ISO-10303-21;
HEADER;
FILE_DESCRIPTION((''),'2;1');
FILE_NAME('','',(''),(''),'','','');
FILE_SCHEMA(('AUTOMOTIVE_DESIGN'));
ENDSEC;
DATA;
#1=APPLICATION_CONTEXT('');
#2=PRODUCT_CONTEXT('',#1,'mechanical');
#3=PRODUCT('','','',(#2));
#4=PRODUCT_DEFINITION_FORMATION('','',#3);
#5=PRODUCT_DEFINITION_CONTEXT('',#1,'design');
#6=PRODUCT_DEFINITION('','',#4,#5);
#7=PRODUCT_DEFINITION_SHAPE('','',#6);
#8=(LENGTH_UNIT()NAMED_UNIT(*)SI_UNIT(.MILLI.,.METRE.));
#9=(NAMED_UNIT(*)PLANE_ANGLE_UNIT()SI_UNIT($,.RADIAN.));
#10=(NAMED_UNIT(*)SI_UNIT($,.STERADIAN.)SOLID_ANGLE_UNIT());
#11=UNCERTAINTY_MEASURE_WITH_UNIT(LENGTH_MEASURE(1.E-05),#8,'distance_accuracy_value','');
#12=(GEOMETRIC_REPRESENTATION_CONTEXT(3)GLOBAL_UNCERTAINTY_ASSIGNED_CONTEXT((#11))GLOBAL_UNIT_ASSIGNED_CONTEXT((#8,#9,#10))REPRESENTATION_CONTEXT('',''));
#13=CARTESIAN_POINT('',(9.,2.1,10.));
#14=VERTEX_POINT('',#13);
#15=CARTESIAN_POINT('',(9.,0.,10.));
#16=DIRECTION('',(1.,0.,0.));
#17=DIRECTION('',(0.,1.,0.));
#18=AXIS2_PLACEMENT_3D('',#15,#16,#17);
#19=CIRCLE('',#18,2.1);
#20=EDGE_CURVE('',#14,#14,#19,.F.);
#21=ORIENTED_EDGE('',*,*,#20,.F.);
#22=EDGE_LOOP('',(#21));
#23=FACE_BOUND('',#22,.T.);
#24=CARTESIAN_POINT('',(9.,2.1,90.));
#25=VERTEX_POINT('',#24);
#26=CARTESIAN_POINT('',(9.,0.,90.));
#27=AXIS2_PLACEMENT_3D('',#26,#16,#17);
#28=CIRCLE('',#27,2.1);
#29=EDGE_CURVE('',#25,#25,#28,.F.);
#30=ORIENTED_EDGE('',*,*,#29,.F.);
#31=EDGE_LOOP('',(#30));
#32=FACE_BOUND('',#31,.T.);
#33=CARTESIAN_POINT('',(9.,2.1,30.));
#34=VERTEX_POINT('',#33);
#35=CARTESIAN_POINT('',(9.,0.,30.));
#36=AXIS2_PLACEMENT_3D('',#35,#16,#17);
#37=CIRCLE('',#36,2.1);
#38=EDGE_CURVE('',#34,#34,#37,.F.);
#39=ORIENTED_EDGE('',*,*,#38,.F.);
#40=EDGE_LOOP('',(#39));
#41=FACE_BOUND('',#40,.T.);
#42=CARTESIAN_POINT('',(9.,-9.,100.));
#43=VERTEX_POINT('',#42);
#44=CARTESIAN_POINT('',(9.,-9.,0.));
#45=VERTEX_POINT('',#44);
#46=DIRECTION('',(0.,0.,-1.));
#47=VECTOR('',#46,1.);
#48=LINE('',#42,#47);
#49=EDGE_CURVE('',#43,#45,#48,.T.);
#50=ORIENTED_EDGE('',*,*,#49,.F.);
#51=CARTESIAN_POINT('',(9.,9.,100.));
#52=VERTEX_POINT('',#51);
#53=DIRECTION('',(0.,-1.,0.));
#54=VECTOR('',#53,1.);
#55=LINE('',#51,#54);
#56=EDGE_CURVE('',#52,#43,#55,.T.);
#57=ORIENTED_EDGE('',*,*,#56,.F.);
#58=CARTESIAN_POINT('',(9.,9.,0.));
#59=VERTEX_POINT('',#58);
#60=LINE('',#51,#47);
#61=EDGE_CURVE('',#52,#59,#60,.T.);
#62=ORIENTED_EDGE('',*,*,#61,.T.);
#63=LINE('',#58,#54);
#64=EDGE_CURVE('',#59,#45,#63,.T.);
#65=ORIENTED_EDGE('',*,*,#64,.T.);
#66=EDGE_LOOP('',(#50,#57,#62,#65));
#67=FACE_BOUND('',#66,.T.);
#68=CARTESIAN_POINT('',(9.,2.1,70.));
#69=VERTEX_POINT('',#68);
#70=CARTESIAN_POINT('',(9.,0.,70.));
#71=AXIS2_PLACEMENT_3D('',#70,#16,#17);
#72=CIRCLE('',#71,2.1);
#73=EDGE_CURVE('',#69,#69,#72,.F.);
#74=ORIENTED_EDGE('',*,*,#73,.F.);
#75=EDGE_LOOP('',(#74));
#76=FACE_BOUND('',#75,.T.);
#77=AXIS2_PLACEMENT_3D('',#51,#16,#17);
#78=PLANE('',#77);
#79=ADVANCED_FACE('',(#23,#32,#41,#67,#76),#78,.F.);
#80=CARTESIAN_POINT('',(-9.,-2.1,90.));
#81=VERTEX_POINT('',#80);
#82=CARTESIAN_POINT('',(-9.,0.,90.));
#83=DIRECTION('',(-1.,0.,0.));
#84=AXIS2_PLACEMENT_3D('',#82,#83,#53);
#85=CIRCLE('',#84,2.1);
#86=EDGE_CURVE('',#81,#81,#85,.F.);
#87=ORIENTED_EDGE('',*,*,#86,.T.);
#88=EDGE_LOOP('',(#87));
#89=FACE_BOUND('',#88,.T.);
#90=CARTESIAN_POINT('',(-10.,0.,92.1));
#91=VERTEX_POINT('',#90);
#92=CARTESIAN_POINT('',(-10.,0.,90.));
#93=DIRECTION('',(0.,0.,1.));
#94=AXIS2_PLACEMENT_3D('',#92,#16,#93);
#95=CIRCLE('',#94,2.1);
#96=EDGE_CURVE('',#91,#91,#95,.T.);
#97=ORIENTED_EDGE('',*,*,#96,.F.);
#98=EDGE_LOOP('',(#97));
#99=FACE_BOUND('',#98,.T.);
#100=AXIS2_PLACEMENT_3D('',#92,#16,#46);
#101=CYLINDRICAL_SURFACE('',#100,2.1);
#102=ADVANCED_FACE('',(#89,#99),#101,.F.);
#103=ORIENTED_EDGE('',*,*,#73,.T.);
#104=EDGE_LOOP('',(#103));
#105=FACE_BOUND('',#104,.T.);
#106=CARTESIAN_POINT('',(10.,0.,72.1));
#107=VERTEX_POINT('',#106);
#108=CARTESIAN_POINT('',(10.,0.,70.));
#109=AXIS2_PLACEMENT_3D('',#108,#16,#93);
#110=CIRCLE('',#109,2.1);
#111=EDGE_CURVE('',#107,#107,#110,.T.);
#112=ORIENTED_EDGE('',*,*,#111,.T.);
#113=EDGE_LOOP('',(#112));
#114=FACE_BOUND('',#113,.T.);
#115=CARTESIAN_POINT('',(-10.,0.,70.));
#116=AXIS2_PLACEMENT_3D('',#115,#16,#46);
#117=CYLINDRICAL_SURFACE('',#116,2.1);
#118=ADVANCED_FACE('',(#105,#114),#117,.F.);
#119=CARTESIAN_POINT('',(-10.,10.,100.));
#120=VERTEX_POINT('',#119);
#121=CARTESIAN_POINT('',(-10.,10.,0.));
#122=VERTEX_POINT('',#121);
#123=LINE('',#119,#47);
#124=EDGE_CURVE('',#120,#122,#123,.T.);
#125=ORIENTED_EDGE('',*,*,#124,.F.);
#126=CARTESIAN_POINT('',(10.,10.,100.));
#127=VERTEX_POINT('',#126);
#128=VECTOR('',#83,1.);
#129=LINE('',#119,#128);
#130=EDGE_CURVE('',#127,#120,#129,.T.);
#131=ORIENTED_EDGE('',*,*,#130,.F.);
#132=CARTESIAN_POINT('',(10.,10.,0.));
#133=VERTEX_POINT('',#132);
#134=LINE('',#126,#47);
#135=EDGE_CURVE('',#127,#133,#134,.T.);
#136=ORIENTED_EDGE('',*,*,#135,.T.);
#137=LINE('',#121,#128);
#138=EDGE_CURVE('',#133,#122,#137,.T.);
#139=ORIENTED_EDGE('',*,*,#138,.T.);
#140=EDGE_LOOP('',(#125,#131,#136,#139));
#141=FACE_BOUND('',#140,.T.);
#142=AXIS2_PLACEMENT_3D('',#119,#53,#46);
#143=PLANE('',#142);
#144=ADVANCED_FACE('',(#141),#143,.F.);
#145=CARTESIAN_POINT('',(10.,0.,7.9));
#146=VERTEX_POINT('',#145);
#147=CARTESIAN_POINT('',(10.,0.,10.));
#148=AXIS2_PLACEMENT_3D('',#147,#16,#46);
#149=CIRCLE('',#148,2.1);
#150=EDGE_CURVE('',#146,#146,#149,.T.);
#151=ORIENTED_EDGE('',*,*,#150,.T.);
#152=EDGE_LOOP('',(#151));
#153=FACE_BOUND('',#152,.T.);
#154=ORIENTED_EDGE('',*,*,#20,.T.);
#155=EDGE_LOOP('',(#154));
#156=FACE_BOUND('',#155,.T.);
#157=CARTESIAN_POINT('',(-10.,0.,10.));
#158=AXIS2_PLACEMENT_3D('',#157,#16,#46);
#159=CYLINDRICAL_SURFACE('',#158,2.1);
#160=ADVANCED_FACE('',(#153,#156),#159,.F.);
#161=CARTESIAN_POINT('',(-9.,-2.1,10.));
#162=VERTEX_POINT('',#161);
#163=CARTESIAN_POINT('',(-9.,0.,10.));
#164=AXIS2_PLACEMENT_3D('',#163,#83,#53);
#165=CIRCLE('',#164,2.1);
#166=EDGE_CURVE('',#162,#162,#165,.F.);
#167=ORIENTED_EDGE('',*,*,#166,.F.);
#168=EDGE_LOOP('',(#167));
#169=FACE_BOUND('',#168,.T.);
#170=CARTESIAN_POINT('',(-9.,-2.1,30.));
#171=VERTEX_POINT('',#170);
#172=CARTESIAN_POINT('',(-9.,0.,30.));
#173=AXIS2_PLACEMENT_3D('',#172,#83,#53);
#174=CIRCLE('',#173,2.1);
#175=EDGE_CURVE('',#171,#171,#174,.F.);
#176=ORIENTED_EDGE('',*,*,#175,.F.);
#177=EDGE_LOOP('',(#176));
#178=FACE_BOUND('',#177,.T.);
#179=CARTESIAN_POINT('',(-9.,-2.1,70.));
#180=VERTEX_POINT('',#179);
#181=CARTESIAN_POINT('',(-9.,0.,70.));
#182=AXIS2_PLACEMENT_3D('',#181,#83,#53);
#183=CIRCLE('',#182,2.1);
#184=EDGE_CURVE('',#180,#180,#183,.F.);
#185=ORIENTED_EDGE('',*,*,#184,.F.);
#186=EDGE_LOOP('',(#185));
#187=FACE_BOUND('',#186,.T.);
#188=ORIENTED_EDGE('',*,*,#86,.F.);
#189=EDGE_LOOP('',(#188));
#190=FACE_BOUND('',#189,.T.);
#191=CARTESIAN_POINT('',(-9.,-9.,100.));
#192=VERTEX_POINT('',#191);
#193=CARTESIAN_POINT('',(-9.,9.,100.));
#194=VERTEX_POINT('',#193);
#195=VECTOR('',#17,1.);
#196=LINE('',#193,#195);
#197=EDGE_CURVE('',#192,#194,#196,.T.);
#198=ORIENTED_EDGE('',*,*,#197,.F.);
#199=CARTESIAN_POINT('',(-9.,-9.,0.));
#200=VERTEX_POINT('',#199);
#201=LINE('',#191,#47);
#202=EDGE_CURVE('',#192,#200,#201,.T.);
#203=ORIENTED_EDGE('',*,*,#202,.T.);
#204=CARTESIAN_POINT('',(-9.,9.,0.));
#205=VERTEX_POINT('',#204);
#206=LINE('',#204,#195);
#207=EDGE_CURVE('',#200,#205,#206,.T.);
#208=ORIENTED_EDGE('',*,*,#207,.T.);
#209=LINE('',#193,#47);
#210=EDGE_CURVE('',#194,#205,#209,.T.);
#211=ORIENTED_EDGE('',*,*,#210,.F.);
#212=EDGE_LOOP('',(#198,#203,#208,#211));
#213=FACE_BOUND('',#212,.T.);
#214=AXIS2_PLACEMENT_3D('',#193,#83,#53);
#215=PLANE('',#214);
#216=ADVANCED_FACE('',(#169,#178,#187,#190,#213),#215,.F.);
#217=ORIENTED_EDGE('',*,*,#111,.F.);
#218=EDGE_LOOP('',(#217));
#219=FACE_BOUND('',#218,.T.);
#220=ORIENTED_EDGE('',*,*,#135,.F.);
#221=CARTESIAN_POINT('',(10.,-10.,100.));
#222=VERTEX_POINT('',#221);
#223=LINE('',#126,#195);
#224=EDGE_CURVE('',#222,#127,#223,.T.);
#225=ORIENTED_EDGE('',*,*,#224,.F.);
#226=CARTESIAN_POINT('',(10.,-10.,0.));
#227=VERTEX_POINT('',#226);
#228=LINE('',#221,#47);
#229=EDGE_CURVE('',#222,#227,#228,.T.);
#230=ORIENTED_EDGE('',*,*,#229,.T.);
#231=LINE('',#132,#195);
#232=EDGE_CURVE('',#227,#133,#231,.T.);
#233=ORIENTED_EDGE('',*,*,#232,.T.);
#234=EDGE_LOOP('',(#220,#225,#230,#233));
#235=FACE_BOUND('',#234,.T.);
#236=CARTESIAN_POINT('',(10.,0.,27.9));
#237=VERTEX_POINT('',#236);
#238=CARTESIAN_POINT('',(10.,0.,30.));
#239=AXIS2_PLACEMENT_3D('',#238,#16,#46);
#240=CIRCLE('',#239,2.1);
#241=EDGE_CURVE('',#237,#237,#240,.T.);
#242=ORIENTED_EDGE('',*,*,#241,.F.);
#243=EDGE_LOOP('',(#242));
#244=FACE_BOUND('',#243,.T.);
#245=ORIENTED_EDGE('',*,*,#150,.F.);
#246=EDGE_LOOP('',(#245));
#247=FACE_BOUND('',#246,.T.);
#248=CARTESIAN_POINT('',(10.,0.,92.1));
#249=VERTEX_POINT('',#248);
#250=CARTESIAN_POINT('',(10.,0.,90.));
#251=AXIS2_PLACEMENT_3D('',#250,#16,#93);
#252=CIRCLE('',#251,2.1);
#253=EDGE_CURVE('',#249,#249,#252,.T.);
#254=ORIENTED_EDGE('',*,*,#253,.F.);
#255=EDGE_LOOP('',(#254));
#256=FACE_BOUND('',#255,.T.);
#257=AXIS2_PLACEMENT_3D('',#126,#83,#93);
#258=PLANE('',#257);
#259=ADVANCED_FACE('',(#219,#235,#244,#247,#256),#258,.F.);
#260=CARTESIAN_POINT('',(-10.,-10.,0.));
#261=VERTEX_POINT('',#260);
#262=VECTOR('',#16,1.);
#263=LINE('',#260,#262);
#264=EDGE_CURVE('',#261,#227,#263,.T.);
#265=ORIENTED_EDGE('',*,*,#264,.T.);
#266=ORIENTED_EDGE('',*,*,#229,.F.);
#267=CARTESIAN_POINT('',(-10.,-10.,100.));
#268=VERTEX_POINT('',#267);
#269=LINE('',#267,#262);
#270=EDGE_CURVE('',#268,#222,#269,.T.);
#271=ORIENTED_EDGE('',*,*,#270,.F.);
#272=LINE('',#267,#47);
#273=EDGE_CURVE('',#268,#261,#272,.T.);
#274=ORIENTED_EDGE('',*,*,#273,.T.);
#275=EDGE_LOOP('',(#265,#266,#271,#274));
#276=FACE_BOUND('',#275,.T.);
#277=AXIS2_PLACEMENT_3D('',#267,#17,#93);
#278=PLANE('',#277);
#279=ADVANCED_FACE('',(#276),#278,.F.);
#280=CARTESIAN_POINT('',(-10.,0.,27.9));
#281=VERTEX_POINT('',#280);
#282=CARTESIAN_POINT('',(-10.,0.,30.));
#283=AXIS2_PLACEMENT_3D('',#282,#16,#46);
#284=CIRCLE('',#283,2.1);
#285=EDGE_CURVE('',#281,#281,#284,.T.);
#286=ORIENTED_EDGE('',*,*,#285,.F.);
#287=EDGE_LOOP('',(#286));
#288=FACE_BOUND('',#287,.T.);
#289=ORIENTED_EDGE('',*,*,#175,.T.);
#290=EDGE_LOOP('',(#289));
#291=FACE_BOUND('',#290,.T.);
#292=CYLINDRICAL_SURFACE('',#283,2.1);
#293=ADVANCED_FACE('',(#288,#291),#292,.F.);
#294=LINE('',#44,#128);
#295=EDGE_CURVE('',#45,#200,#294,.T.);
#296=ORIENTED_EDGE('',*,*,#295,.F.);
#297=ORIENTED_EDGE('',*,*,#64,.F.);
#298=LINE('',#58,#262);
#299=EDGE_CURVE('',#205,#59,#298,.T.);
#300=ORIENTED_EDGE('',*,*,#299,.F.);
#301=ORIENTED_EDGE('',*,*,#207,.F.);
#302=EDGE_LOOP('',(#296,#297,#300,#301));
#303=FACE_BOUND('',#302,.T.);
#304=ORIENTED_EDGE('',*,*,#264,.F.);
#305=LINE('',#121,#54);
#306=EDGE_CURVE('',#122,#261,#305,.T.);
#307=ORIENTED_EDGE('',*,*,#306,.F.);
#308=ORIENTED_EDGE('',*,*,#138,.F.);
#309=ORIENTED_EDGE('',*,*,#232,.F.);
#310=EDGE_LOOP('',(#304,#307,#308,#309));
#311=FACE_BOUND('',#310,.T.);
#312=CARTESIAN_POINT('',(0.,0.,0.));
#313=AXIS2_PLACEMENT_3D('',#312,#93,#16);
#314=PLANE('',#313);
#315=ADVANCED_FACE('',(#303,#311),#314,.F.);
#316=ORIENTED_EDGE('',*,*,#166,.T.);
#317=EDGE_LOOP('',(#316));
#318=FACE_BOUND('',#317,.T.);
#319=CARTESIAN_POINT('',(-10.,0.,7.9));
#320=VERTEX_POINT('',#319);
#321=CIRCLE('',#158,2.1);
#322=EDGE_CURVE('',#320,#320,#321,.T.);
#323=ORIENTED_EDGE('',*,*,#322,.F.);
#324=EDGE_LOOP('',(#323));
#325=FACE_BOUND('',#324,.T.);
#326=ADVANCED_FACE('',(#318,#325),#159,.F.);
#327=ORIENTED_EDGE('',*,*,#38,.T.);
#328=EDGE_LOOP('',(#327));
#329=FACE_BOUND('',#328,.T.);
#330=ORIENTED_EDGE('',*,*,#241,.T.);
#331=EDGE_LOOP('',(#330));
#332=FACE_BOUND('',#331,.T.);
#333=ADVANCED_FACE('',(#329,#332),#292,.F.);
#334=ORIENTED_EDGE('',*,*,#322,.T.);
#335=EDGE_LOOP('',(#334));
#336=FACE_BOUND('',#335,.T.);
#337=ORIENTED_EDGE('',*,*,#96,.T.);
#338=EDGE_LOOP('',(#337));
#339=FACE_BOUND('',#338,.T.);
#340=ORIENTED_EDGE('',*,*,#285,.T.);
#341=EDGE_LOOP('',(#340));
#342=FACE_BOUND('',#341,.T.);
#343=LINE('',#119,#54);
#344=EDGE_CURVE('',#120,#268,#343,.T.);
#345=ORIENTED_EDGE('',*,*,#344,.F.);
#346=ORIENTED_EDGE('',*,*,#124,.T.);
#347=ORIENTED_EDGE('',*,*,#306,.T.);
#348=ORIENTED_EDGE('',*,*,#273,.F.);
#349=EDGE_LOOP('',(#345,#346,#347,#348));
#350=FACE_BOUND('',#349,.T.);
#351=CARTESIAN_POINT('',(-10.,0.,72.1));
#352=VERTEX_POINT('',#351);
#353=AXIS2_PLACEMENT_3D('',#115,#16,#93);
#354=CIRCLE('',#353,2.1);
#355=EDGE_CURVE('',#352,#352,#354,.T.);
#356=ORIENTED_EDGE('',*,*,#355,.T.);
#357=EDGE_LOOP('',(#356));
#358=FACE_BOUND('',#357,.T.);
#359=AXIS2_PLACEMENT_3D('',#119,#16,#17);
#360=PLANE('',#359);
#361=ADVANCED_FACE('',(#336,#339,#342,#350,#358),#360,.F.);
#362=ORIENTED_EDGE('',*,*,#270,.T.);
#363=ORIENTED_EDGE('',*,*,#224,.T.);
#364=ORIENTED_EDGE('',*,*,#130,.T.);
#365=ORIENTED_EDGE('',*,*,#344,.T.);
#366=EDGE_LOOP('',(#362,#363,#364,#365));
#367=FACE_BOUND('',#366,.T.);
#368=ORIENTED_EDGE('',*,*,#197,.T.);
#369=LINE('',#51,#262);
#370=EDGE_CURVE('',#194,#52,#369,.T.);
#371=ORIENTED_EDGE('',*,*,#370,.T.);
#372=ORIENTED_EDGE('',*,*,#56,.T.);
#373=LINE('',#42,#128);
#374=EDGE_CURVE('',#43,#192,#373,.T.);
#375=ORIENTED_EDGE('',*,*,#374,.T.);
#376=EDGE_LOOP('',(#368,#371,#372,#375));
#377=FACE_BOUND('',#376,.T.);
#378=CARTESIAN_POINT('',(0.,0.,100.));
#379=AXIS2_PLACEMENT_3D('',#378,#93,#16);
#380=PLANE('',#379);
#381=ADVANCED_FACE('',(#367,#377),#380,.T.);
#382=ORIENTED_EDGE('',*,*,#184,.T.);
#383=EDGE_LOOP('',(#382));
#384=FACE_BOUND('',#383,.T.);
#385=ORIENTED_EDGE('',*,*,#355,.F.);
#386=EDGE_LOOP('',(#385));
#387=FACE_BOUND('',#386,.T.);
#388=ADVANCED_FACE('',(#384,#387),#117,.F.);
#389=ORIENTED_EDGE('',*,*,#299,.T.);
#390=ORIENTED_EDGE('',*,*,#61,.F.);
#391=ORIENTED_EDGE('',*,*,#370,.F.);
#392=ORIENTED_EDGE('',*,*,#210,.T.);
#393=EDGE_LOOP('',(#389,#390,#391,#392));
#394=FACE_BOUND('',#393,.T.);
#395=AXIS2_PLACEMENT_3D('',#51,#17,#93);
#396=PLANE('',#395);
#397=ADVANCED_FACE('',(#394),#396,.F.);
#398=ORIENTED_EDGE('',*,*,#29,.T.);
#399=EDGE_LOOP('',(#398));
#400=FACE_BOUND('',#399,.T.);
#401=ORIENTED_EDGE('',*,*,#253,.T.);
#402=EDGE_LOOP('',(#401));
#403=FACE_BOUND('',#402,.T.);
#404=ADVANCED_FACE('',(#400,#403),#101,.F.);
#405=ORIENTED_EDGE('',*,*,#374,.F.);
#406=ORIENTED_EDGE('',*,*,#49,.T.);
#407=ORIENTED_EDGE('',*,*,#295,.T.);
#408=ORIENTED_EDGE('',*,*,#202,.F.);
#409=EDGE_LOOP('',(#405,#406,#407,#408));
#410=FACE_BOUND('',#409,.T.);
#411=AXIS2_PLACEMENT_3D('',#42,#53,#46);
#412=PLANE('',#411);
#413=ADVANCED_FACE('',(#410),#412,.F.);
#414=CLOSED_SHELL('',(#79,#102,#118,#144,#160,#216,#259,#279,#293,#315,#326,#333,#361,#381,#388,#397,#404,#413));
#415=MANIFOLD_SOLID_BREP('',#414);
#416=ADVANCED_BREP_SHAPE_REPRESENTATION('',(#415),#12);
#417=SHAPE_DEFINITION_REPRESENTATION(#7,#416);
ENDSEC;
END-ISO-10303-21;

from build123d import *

# Parameters (mm, degrees)
SKETCH_1_W          = 20
SKETCH_1_H          = 20
EXTRUDE_1_DEPTH     = 100
SKETCH_2_R          = 2.1
CUT_EXTRUDE_1_DEPTH = 103.46950766
SKETCH_4_W          = 18
SKETCH_4_H          = 18
CUT_EXTRUDE_2_DEPTH = 101.995049384


with BuildPart() as part:
    # 草图1 → 凸台-拉伸1 (new body)
    with BuildSketch(Plane.XY):
        Rectangle(SKETCH_1_W, SKETCH_1_H)
    extrude(amount=EXTRUDE_1_DEPTH)

    # 草图2 → 切除-拉伸1 (cut, through all)
    with BuildSketch(Plane(origin=(10, 0, 0), x_dir=(0, 0, -1), z_dir=(1, 0, 0))):
        with Locations((-10, 0)):
            Circle(SKETCH_2_R)
        with Locations((-30, 0)):
            Circle(SKETCH_2_R)
        with Locations(Location((-90, 0, 0), (0, 0, 180))):
            Circle(SKETCH_2_R)
        with Locations(Location((-70, 0, 0), (0, 0, 180))):
            Circle(SKETCH_2_R)
    extrude(amount=-CUT_EXTRUDE_1_DEPTH, mode=Mode.SUBTRACT)

    # 草图4 → 切除-拉伸2 (cut, through all)
    with BuildSketch(Plane(origin=(0, 0, 0), x_dir=(-1, 0, 0), z_dir=(0, 0, -1))):
        Rectangle(SKETCH_4_W, SKETCH_4_H)
    extrude(amount=-CUT_EXTRUDE_2_DEPTH, mode=Mode.SUBTRACT)


solid = part.part
